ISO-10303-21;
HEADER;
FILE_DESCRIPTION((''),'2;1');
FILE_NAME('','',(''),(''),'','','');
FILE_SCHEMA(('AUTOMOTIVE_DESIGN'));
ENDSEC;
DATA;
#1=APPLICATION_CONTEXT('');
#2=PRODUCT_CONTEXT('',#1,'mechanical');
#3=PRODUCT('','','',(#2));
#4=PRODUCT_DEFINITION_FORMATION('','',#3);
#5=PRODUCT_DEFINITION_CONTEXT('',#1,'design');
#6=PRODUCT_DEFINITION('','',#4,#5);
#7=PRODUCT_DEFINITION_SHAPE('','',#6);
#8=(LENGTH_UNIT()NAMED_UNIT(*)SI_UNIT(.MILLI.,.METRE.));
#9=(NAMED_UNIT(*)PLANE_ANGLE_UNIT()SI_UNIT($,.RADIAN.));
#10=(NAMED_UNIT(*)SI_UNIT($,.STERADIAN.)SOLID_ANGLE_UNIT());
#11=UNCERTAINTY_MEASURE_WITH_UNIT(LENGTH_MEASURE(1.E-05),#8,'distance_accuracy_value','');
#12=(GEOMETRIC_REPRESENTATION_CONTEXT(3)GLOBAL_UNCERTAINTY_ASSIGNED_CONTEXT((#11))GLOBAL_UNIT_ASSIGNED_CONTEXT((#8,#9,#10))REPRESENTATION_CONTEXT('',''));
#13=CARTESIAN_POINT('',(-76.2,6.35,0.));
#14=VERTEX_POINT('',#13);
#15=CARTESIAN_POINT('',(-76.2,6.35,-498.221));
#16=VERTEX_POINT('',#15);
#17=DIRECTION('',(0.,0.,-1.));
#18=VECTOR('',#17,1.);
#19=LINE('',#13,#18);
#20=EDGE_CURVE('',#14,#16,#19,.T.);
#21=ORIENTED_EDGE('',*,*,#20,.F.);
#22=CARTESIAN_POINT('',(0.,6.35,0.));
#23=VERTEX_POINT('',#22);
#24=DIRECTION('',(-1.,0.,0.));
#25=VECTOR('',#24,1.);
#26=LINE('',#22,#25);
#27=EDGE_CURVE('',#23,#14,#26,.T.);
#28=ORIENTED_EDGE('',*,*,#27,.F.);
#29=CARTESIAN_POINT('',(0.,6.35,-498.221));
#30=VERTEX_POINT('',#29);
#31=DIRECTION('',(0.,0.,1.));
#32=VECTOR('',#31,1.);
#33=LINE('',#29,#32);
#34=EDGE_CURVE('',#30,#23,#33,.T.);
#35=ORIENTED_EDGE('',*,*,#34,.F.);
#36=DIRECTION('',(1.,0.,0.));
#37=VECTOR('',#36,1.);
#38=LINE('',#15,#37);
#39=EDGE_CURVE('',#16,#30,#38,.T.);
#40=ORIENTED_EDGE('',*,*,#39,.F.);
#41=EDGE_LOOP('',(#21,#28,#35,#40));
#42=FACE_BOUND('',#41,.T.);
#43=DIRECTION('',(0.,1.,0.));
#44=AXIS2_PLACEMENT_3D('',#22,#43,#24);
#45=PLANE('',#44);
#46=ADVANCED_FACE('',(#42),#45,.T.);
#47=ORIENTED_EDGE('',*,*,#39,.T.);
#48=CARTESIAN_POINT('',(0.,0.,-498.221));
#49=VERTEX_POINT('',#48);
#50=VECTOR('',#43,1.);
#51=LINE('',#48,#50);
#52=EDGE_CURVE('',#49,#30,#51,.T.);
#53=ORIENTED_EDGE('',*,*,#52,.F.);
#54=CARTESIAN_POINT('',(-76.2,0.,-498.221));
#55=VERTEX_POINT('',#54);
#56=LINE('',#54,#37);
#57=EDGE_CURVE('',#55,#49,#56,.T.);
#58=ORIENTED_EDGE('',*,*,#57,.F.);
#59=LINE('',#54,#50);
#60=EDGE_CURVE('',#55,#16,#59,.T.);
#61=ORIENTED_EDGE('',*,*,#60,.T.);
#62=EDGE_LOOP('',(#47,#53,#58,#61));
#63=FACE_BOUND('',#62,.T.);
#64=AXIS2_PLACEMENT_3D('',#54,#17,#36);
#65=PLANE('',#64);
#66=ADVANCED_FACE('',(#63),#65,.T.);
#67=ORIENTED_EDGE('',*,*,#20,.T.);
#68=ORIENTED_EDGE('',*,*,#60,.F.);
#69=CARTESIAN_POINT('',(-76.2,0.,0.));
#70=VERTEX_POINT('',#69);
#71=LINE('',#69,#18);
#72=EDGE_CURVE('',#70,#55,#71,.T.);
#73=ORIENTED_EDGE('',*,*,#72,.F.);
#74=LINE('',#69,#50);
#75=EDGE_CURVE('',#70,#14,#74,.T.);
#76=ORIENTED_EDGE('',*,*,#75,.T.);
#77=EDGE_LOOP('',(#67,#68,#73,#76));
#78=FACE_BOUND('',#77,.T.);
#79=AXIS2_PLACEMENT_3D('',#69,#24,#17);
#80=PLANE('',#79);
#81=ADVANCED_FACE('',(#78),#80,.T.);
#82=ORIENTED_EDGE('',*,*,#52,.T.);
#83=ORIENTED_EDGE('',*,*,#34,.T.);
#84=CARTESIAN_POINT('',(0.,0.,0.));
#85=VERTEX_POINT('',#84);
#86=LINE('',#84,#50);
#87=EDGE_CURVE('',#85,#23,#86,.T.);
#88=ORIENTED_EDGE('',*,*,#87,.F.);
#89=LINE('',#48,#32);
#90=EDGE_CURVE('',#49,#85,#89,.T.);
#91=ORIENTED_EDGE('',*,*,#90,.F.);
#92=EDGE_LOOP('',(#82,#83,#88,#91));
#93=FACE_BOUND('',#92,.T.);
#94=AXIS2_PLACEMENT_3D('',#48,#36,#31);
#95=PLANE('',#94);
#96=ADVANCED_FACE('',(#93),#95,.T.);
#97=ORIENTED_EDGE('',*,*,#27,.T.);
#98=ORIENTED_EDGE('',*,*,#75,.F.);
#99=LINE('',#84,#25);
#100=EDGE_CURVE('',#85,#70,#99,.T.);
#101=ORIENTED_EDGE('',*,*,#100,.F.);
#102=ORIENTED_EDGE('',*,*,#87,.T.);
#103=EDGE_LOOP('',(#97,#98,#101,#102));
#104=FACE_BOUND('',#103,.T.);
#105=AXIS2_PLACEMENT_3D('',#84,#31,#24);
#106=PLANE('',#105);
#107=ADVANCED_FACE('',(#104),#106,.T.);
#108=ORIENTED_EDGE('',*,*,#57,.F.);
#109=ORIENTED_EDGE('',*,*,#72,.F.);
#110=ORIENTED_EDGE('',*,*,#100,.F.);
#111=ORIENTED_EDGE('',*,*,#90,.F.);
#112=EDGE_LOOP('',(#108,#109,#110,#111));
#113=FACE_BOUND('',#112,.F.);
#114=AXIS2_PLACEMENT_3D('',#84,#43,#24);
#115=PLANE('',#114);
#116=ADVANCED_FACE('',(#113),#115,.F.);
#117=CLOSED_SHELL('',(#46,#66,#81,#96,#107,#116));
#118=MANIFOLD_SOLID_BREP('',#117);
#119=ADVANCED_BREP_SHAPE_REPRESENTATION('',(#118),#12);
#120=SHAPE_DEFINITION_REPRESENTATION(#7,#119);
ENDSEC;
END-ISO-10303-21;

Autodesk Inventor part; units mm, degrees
ref_plane "YZ Plane" through (0, 0, 0) normal (1, 0, 0) x (0, 1, 0)
ref_plane "XZ Plane" through (0, 0, 0) normal (0, 1, 0) x (-1, 0, 0)
ref_plane "XY Plane" through (0, 0, 0) normal (0, 0, 1) x (1, 0, 0)
sketch "Sketch1" plane through (0, 0, 0) normal (0, 1, 0) x (-1, 0, 0)
  line L0 (0, 0) -> (76.2, 0)
  line L1 (76.2, 0) -> (76.2, -498.221)
  line L2 (76.2, -498.221) -> (0, -498.221)
  line L3 (0, -498.221) -> (0, 0)
  dimension "d0" = 76.2
  dimension "d1" = 498.221
extrude "Extrusion1" add sketch "Sketch1" along normal blind 6.35
properties part number "intakt plate"
